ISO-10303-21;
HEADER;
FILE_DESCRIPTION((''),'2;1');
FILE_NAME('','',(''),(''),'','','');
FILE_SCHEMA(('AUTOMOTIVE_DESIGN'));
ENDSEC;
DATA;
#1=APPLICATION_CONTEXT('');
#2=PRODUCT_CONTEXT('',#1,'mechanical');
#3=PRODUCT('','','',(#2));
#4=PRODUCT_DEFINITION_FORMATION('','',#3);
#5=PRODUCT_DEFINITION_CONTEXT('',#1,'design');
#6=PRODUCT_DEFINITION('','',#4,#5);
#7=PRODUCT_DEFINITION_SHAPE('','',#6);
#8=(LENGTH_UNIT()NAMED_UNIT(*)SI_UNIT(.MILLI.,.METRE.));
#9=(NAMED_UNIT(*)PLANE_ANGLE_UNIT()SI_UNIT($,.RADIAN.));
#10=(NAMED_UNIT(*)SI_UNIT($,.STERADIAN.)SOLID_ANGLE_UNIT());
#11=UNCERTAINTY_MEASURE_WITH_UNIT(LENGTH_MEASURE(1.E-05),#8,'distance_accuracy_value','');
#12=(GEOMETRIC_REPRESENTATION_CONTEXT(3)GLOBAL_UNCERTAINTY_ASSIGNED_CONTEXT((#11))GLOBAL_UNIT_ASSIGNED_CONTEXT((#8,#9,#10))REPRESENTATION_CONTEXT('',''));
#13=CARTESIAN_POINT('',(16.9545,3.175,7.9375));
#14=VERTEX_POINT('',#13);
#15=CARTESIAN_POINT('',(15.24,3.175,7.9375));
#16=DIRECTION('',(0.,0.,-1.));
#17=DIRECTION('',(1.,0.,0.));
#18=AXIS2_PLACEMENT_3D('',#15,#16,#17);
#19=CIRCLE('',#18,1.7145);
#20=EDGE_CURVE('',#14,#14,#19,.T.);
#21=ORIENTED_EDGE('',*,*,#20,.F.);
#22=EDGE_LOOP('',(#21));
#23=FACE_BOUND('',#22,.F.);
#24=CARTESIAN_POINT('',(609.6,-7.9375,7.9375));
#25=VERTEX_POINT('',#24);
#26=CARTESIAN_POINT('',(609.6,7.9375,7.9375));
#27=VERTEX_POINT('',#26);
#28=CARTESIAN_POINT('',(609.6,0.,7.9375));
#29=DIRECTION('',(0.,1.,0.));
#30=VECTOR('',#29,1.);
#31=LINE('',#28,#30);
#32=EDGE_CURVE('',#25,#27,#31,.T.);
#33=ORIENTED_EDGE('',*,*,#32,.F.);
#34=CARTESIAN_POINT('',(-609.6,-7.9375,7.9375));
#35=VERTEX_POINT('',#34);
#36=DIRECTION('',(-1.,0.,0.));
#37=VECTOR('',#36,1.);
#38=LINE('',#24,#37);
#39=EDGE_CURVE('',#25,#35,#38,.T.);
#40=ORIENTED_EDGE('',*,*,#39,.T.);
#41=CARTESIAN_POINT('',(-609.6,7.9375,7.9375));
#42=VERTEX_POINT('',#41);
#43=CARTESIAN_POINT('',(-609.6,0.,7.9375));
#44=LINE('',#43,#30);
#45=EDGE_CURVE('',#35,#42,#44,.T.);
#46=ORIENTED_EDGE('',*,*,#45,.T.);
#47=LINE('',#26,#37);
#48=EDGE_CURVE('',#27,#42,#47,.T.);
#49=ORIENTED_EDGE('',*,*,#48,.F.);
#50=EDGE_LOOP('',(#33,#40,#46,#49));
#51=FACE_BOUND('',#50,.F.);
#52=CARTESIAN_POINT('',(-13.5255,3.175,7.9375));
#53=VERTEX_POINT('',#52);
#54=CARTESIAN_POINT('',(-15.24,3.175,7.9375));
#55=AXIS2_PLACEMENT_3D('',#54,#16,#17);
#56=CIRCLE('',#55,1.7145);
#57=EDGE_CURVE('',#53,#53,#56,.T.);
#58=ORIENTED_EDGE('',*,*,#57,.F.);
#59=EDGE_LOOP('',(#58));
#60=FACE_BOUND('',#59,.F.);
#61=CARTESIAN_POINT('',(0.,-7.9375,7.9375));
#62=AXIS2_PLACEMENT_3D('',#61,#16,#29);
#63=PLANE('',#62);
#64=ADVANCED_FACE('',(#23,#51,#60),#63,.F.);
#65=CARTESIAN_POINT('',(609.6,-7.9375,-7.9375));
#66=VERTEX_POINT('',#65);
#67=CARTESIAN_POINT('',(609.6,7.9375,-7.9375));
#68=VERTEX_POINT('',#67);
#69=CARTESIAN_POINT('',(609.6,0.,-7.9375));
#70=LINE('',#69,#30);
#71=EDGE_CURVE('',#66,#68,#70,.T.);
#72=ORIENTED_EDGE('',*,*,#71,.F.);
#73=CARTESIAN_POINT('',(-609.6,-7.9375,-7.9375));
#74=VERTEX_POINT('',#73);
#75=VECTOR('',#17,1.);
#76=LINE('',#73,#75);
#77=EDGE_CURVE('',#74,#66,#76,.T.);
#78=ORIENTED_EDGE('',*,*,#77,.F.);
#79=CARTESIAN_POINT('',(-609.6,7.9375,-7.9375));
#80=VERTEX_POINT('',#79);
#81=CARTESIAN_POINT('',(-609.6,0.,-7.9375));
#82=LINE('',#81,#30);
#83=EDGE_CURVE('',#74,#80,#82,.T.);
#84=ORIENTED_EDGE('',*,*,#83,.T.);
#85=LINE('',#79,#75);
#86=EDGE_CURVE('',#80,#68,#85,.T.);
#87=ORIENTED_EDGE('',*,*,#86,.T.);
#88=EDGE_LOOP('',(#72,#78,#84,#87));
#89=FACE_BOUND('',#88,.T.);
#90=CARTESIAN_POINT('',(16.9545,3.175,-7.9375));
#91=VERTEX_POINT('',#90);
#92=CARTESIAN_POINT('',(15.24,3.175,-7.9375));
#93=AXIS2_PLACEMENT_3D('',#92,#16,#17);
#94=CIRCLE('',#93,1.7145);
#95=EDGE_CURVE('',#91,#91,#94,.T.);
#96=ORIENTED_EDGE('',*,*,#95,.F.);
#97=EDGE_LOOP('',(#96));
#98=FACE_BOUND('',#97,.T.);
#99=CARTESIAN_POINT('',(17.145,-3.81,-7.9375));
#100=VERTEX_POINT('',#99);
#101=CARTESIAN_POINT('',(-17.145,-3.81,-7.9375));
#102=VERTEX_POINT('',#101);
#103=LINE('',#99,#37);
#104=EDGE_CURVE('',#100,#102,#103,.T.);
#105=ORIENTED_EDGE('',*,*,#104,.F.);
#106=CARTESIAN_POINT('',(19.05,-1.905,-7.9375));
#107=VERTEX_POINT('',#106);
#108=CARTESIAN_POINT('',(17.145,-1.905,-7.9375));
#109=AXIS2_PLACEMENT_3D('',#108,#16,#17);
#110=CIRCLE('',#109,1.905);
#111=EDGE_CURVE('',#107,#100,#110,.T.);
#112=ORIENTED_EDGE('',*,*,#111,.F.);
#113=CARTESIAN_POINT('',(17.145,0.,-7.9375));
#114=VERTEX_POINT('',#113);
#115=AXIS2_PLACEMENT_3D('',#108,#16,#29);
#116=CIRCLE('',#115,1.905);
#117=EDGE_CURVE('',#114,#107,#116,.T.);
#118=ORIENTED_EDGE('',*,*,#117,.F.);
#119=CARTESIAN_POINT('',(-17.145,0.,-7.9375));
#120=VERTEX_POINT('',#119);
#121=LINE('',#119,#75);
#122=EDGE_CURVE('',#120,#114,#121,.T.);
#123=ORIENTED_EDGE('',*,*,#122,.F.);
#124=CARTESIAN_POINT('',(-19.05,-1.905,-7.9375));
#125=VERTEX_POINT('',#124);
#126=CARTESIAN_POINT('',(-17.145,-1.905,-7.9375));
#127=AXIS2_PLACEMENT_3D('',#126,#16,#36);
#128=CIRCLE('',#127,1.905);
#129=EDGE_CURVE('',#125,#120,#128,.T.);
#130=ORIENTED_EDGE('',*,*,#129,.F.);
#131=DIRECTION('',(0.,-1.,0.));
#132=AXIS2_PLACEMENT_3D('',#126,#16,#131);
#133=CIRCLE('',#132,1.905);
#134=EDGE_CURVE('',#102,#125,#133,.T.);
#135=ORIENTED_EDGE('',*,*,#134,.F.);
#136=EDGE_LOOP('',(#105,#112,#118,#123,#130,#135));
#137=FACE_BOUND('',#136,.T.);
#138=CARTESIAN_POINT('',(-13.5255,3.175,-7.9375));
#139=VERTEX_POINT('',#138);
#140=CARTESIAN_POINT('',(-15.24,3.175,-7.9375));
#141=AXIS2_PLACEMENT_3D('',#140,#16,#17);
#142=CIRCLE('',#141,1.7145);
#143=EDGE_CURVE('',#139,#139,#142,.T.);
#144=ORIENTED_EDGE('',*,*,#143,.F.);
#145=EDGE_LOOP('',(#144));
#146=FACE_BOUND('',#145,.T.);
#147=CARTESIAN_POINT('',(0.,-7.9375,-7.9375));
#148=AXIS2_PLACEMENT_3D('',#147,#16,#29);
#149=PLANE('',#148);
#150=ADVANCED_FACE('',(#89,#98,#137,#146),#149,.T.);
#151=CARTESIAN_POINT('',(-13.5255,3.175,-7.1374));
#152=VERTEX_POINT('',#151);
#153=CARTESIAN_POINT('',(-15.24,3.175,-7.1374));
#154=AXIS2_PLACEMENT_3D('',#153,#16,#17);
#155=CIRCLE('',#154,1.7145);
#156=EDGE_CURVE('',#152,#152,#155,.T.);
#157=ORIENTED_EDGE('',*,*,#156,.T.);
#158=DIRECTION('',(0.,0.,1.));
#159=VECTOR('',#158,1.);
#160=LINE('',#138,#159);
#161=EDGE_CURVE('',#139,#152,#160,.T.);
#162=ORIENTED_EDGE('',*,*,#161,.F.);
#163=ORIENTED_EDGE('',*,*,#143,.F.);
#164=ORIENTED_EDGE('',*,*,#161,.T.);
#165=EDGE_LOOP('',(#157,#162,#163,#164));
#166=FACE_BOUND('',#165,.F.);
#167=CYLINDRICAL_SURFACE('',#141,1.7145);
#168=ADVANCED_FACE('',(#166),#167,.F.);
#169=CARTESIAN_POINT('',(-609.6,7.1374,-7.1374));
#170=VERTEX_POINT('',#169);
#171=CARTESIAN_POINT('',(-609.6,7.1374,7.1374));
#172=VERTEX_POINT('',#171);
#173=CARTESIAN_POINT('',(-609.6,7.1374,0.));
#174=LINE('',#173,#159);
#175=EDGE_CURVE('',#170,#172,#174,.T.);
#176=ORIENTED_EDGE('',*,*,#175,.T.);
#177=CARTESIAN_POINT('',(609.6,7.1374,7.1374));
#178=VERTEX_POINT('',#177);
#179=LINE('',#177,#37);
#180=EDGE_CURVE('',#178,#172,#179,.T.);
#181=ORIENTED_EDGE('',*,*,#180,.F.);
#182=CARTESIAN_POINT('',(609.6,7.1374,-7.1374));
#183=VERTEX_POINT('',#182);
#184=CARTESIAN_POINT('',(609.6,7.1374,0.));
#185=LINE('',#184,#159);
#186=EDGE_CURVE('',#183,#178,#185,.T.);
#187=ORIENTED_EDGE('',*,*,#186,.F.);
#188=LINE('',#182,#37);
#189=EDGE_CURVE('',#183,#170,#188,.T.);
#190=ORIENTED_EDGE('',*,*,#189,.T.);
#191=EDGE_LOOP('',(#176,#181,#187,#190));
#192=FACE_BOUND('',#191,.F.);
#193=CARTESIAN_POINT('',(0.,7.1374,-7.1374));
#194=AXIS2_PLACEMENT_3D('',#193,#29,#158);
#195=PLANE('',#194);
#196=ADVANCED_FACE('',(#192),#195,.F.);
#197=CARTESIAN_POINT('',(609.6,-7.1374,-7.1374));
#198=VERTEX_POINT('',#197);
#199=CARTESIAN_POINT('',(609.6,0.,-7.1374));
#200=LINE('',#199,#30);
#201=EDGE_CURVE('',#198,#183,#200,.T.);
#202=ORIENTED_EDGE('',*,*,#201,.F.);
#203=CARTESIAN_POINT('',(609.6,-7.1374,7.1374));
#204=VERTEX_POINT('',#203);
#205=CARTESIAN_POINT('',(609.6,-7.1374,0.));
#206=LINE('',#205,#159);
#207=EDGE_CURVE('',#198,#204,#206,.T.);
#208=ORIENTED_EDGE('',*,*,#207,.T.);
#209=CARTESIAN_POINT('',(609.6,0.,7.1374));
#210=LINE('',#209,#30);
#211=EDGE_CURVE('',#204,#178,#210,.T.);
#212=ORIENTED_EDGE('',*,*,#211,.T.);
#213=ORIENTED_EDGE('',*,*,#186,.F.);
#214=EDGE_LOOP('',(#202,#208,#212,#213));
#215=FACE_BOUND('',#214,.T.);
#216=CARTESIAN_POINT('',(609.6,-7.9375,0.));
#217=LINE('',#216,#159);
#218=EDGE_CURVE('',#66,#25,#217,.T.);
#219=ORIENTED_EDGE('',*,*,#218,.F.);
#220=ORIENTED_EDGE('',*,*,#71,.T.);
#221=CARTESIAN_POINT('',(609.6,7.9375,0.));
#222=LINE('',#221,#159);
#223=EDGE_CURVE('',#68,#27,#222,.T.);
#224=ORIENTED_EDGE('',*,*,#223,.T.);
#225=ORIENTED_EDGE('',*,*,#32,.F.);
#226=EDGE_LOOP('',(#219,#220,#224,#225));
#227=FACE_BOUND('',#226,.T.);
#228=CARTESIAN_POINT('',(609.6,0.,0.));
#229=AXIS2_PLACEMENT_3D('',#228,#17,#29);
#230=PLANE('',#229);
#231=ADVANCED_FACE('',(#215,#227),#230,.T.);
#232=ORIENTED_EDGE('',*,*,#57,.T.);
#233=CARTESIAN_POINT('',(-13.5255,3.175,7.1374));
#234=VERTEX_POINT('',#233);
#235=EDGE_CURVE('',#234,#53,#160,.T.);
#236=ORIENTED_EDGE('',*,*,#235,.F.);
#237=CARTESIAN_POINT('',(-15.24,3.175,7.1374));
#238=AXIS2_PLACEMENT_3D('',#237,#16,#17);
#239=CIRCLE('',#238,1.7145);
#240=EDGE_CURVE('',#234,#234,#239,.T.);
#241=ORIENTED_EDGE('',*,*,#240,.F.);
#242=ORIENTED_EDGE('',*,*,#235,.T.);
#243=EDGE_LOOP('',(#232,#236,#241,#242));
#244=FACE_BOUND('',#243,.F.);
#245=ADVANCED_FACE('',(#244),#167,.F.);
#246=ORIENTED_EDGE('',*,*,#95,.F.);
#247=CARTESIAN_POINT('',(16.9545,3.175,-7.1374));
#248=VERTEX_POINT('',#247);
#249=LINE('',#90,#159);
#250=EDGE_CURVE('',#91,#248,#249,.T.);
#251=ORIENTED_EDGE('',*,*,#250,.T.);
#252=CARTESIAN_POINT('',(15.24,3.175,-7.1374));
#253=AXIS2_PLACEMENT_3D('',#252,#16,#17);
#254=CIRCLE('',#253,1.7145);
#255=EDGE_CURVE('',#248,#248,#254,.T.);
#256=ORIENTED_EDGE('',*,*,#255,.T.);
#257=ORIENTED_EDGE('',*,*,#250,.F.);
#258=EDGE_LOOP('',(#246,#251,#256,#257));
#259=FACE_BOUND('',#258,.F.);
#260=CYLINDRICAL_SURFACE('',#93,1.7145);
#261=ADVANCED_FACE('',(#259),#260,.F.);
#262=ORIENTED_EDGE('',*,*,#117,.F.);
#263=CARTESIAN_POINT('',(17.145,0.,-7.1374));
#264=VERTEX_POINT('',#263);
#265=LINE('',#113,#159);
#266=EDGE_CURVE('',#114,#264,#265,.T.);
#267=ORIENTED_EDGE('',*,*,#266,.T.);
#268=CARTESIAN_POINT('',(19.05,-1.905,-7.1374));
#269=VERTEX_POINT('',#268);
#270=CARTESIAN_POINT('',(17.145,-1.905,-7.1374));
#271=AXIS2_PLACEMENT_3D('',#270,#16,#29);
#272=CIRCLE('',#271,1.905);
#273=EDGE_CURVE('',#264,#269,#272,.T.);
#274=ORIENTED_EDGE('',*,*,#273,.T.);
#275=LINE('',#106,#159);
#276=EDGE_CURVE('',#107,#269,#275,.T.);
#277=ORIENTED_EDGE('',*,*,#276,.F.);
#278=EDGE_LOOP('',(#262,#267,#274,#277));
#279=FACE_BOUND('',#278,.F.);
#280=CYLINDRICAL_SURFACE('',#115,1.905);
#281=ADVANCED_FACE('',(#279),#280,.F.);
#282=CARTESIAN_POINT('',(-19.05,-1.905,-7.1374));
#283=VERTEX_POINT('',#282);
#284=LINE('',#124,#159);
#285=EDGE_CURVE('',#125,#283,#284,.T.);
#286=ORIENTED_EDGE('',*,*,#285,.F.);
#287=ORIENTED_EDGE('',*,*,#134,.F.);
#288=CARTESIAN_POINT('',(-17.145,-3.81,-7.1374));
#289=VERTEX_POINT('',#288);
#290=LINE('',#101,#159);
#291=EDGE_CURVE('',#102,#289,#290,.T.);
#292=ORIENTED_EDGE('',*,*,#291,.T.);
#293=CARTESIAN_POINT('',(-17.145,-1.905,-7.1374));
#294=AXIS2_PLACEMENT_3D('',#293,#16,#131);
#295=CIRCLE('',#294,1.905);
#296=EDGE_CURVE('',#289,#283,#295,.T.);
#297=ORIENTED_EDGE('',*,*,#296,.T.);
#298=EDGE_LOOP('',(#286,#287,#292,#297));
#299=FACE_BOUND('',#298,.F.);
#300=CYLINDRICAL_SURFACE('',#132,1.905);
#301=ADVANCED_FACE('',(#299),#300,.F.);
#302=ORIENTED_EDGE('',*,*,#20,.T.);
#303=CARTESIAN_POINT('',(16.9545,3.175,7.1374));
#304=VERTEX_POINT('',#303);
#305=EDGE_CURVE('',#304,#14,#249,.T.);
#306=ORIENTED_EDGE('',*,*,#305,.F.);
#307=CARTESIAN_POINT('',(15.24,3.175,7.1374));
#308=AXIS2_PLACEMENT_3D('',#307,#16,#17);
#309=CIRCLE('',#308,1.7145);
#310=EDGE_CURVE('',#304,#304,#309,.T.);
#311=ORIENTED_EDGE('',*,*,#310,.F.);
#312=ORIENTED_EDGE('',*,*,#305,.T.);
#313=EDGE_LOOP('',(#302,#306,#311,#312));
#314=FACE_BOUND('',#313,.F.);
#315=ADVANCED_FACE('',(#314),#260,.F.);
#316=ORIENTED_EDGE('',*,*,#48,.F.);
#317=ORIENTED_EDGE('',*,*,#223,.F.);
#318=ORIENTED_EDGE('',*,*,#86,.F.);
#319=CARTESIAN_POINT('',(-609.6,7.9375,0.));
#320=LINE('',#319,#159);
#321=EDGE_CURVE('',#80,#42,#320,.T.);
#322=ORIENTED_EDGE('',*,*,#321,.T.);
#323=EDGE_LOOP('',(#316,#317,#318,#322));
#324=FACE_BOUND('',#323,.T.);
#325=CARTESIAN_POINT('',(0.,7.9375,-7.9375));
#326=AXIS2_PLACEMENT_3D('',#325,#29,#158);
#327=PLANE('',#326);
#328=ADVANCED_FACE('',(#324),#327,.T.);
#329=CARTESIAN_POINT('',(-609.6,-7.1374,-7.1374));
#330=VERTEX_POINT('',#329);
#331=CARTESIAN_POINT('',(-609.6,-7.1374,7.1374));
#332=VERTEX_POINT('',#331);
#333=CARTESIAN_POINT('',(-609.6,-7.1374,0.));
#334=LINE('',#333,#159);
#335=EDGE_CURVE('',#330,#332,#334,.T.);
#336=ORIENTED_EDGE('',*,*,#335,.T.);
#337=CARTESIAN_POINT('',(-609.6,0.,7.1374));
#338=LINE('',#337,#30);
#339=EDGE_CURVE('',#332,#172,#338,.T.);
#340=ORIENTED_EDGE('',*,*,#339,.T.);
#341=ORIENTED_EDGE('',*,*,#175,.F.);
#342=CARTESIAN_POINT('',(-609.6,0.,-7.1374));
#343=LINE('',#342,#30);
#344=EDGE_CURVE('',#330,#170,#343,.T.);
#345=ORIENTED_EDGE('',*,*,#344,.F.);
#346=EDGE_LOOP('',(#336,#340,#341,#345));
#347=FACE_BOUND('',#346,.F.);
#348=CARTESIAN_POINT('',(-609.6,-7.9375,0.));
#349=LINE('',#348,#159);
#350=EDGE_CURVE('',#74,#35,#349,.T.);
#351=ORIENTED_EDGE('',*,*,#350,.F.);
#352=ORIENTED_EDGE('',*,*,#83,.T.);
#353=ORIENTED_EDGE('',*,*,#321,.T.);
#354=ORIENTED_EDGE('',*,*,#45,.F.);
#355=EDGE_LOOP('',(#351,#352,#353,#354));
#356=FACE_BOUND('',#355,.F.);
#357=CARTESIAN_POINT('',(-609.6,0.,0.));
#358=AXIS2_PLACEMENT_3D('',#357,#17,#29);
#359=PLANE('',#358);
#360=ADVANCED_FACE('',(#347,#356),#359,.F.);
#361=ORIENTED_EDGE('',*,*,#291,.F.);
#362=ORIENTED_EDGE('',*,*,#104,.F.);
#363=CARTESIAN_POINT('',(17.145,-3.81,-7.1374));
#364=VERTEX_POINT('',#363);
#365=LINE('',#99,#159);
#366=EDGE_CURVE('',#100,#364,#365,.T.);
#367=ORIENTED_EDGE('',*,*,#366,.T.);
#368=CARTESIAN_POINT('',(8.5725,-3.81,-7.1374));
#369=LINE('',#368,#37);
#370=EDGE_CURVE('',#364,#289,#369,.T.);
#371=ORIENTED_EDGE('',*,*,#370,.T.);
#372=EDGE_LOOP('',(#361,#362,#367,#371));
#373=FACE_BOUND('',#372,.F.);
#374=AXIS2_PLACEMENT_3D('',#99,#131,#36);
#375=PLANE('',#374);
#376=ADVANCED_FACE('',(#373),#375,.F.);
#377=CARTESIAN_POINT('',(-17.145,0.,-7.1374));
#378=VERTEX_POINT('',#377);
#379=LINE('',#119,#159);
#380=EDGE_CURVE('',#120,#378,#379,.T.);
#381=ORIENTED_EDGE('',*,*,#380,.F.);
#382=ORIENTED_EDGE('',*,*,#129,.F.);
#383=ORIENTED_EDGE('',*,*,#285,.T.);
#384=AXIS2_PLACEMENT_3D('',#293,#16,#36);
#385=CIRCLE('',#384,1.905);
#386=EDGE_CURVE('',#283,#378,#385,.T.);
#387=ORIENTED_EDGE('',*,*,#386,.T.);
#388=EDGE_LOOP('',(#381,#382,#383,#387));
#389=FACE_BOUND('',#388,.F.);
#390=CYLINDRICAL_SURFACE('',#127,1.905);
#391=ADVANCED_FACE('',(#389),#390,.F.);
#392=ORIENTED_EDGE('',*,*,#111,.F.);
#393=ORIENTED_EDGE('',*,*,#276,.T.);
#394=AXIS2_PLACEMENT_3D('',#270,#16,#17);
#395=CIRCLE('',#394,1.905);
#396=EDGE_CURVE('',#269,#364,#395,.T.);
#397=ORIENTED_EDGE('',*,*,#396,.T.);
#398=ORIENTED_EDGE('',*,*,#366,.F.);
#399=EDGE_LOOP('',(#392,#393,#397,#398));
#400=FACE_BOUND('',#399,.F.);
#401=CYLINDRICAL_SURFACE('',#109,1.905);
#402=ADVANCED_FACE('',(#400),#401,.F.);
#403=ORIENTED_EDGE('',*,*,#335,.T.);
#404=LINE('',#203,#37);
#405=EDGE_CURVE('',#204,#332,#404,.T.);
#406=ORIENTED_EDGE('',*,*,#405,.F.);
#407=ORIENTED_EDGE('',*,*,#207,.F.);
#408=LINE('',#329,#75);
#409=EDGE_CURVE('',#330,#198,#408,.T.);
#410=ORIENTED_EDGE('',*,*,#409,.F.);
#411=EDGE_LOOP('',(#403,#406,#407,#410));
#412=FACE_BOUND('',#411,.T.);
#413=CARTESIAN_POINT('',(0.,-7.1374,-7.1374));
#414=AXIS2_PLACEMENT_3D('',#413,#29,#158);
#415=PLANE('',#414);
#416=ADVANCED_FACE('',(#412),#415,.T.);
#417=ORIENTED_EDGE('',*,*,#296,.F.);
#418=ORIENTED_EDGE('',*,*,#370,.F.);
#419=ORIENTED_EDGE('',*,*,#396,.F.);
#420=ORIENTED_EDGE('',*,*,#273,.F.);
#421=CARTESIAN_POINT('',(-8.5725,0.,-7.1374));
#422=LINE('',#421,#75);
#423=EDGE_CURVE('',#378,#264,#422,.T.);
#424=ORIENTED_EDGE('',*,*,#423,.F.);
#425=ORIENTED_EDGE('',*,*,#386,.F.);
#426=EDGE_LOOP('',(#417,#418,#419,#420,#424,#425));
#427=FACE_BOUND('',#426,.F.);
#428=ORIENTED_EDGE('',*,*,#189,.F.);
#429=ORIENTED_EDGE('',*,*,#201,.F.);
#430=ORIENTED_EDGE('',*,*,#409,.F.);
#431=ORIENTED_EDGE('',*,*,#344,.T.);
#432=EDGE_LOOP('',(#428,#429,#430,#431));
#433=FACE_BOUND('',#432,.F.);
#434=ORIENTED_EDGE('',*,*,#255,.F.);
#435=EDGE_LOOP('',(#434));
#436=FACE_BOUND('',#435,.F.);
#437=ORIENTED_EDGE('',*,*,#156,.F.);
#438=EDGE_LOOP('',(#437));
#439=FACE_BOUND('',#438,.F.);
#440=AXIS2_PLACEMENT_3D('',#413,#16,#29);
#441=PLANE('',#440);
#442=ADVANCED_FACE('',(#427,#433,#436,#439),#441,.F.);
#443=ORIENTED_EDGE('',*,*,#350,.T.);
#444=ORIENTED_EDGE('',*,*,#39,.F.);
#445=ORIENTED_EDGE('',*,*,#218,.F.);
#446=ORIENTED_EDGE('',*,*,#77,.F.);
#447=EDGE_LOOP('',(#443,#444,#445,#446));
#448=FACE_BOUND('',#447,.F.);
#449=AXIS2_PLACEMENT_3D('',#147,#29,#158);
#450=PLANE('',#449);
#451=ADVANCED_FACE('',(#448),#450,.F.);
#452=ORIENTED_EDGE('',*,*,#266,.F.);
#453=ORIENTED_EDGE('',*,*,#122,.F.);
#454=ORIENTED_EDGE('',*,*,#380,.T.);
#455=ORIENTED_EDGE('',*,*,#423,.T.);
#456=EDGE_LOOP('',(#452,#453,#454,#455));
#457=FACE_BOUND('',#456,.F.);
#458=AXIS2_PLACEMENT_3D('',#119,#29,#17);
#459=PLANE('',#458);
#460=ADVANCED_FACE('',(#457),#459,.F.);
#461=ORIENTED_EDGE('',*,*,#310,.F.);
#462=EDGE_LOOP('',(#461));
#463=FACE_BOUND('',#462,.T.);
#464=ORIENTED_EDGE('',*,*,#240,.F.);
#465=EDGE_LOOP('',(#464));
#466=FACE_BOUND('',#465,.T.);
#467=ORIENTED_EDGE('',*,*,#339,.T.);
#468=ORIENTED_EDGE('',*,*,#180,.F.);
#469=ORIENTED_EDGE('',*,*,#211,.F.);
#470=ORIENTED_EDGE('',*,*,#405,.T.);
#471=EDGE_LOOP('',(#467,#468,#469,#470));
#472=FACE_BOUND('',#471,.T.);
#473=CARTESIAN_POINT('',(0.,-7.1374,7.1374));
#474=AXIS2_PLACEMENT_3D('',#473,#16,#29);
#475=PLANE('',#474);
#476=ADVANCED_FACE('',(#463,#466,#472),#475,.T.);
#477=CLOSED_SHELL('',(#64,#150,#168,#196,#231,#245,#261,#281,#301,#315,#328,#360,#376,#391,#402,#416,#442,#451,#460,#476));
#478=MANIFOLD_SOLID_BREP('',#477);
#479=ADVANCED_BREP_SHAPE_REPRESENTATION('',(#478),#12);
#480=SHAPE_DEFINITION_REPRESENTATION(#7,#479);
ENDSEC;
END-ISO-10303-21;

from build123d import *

# Parameters (mm, degrees)
F0_W     = 15.875
F0_H     = 15.875
F0_W_2   = 14.2748
F0_H_2   = 14.2748
F1_DEPTH = 609.6
F3_DEPTH = 5.08
F4_R     = 1.7145
F5_DEPTH = 15.876


with BuildPart() as f1:
    # F0 (on Right) → F1 (new body, symmetric)
    with BuildSketch(Plane.YZ):
        Rectangle(F0_W, F0_H)
        Rectangle(F0_W_2, F0_H_2, mode=Mode.SUBTRACT)
    extrude(amount=F1_DEPTH, both=True)

    # F2 (on face) → F3 (cut)
    with BuildSketch(Plane(origin=(0, 0, -7.9375), x_dir=(1, 0, 0), z_dir=(0, 0, -1))):
        with BuildLine():
            Line((-17.145, 0), (17.145, 0))
            ThreePointArc((17.145, 0), (18.4920384182, 0.5579615818), (19.05, 1.905))
            ThreePointArc((19.05, 1.905), (18.4920384182, 3.2520384182), (17.145, 3.81))
            Line((17.145, 3.81), (-17.145, 3.81))
            ThreePointArc((-17.145, 3.81), (-18.4920384182, 3.2520384182), (-19.05, 1.905))
            ThreePointArc((-19.05, 1.905), (-18.4920384182, 0.5579615818), (-17.145, 0))
        make_face()
    extrude(amount=-F3_DEPTH, mode=Mode.SUBTRACT)

    # F4 (on face) → F5 (cut, through all)
    with BuildSketch(Plane(origin=(0, 0, -7.9375), x_dir=(1, 0, 0), z_dir=(0, 0, -1))):
        with Locations((-15.24, -3.175)):
            Circle(F4_R)
        with Locations((15.24, -3.175)):
            Circle(F4_R)
    extrude(amount=-F5_DEPTH, mode=Mode.SUBTRACT)


solid = f1.part
